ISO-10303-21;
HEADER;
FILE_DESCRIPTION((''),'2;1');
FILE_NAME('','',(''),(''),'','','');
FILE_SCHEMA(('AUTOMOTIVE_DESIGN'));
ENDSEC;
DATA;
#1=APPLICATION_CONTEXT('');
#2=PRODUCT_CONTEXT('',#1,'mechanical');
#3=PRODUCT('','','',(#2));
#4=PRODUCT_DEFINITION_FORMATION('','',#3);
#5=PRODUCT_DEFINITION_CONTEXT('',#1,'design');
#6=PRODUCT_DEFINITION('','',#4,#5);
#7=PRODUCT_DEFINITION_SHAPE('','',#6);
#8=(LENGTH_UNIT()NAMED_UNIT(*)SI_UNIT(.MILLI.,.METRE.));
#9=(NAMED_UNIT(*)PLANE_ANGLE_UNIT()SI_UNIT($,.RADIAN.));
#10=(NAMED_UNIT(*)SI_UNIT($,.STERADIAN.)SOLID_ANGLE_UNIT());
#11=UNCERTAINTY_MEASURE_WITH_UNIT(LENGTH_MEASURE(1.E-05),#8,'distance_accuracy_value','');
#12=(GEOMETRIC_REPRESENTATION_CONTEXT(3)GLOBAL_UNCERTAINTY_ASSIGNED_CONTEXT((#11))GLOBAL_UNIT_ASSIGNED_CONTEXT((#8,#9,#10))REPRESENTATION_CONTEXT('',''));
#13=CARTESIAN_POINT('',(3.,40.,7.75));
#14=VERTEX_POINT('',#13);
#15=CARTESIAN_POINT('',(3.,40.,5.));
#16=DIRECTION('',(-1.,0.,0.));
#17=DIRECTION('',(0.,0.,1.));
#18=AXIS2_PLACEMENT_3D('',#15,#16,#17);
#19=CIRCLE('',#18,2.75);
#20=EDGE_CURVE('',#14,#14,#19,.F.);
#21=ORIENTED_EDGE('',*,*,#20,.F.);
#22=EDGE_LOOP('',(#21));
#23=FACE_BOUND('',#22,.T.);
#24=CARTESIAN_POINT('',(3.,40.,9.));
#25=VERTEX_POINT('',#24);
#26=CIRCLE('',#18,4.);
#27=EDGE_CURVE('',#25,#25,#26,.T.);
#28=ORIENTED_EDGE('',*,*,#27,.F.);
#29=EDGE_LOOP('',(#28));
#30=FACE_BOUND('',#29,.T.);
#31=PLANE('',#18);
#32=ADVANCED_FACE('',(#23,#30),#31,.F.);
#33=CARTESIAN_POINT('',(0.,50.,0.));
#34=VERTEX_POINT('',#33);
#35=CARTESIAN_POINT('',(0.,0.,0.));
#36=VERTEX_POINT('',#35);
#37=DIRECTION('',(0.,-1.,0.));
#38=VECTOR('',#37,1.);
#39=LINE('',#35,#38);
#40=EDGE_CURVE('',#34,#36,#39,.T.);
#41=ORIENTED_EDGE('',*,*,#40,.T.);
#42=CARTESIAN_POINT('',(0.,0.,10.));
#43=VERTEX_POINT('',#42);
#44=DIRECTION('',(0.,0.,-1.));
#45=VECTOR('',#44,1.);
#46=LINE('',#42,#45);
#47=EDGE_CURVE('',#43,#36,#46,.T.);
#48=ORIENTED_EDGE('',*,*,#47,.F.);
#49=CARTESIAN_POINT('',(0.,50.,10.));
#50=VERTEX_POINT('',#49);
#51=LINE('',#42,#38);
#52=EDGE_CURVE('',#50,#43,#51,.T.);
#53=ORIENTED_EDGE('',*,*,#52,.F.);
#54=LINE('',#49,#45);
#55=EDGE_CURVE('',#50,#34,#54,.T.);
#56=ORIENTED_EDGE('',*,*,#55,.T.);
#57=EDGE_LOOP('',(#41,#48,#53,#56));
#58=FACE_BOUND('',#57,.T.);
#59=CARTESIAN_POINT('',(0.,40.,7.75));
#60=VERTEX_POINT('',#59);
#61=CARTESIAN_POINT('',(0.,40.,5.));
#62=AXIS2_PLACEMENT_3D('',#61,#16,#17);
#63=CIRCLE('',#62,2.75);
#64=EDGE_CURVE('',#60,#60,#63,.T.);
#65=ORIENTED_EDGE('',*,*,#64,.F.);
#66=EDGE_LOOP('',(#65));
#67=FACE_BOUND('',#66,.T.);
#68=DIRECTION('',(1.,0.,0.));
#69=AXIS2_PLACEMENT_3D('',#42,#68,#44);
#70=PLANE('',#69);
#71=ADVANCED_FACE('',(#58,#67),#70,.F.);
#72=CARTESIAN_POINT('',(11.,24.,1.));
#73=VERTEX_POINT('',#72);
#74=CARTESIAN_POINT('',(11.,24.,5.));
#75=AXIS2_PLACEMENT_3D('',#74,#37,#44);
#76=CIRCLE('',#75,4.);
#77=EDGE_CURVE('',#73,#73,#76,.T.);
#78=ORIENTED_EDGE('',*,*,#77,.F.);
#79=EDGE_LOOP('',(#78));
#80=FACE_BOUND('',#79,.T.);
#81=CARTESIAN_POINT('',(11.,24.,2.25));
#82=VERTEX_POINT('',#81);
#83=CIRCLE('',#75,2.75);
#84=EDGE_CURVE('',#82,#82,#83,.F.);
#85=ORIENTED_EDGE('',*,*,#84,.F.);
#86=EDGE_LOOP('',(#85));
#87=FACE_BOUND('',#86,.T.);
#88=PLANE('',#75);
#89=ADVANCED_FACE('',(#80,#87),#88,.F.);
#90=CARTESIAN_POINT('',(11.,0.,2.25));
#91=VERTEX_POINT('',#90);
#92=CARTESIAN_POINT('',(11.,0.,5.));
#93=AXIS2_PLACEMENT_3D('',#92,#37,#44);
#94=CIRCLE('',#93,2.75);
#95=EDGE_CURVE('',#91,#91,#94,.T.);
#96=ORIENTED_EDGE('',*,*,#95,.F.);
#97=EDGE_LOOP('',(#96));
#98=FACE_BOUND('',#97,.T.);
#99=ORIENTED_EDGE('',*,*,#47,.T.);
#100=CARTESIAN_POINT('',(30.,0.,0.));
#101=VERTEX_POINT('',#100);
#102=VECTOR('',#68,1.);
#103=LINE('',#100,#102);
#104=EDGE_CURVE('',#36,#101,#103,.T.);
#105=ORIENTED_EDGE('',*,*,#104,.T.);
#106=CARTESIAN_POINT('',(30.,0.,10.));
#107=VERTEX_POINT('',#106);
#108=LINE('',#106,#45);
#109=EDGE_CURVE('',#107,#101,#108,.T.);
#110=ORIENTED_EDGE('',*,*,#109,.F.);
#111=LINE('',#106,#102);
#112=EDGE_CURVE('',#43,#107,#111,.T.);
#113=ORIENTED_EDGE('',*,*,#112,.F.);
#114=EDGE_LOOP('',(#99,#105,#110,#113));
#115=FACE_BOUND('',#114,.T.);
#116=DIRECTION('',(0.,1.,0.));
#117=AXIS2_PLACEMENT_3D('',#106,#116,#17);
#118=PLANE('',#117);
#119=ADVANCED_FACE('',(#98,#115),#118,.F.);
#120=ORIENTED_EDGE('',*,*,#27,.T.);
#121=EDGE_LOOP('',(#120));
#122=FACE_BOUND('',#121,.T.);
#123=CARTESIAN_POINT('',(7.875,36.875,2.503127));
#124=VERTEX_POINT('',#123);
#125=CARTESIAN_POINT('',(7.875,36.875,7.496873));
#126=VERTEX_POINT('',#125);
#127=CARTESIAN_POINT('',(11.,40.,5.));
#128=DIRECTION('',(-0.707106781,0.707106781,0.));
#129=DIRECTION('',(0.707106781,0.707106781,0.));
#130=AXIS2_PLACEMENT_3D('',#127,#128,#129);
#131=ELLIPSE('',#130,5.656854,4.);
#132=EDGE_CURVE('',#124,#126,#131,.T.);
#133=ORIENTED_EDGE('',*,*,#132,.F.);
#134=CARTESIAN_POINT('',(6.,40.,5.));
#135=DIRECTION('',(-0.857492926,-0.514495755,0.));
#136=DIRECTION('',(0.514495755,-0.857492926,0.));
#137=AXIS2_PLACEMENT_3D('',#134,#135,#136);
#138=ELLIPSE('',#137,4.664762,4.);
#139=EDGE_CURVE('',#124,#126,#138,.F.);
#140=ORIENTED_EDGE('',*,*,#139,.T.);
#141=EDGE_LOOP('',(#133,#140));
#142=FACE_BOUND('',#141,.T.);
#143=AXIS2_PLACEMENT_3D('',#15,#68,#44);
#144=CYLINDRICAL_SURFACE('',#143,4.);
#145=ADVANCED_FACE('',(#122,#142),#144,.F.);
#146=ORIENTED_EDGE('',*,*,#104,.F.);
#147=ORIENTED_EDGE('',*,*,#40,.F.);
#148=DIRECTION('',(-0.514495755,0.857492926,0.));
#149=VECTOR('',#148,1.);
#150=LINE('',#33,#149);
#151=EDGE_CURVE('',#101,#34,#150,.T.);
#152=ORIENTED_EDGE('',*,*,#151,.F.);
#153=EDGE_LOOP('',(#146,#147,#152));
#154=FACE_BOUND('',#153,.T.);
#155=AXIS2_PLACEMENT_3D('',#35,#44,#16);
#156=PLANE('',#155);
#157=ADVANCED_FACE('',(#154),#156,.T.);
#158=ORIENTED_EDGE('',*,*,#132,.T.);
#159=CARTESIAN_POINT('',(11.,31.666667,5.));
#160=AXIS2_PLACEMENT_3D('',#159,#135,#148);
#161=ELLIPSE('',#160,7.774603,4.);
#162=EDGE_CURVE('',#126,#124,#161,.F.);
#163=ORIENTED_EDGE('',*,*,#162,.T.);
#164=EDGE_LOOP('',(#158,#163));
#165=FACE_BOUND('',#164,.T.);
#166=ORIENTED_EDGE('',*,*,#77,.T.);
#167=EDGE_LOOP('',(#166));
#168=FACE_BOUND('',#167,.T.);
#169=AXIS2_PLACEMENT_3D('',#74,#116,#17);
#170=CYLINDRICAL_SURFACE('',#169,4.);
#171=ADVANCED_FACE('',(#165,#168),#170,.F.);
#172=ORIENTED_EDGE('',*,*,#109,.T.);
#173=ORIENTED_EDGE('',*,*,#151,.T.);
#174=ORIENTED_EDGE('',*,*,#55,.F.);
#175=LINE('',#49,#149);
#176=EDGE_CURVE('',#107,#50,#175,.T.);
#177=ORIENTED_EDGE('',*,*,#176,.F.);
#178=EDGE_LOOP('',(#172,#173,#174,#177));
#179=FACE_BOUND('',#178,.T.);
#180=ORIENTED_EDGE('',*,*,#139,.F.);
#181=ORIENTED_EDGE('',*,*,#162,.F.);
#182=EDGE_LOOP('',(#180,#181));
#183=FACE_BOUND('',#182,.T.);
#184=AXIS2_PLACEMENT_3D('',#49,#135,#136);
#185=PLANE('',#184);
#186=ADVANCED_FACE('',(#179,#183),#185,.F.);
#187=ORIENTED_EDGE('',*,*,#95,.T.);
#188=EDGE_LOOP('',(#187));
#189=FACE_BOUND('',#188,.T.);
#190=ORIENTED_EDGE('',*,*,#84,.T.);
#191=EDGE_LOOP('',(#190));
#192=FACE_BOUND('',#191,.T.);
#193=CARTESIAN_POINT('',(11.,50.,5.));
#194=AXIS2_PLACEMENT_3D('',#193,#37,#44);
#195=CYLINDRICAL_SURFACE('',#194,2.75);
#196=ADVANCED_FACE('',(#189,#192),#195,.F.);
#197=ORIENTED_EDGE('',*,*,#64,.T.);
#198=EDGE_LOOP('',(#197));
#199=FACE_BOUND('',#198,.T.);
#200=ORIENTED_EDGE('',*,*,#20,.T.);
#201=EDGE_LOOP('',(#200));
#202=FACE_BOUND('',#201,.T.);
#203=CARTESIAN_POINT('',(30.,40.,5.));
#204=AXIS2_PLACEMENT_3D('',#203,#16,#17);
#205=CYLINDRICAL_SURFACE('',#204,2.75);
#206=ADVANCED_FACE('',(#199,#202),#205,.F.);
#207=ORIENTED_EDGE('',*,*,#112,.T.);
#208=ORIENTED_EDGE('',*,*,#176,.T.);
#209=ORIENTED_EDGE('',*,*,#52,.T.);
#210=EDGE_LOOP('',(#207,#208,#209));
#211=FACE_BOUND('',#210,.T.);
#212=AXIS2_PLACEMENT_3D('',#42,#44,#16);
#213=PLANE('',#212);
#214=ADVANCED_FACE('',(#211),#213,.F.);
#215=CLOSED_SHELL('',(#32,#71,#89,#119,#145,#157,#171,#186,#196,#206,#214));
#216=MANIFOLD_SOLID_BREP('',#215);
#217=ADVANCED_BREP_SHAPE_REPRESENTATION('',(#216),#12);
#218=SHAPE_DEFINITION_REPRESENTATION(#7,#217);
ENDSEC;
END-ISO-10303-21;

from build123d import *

# Parameters (mm, degrees)
EXTRUDE_1_DEPTH     = 10
SKETCH_2_R          = 2.75
CUT_EXTRUDE_1_DEPTH = 60.160797831
SKETCH_3_R          = 2.75
CUT_EXTRUDE_2_DEPTH = 60.160797831
SKETCH_4_R          = 4
CUT_EXTRUDE_3_DEPTH = 26
SKETCH_5_R          = 4
CUT_EXTRUDE_4_DEPTH = 27


with BuildPart() as part:
    # 草图1 → 凸台-拉伸1 (new body)
    with BuildSketch(Plane.XY):
        Polygon((0, 0), (0, 50), (30, 0), align=None)
    extrude(amount=EXTRUDE_1_DEPTH)

    # 草图2 → 切除-拉伸1 (cut, through all)
    with BuildSketch(Plane.XZ):
        with Locations(Location((11, 5, 0), (0, 0, 270))):
            Circle(SKETCH_2_R)
    extrude(amount=-CUT_EXTRUDE_1_DEPTH, mode=Mode.SUBTRACT)

    # 草图3 → 切除-拉伸2 (cut, through all)
    with BuildSketch(Plane.ZY):
        with Locations((5, 40)):
            Circle(SKETCH_3_R)
    extrude(amount=-CUT_EXTRUDE_2_DEPTH, mode=Mode.SUBTRACT)

    # 草图4 → 切除-拉伸3 (cut)
    with BuildSketch(Plane(origin=(0, 50, 0), x_dir=(-1, 0, 0), z_dir=(0, -1, 0))):
        with Locations(Location((-11, -5, 0), (0, 0, 336.277210116))):
            Circle(SKETCH_4_R)
    extrude(amount=CUT_EXTRUDE_3_DEPTH, mode=Mode.SUBTRACT)

    # 草图5 → 切除-拉伸4 (cut)
    with BuildSketch(Plane.ZY.offset(-30)):
        with Locations(Location((5, 40, 0), (0, 0, 231.375167127))):
            Circle(SKETCH_5_R)
    extrude(amount=CUT_EXTRUDE_4_DEPTH, mode=Mode.SUBTRACT)


solid = part.part
